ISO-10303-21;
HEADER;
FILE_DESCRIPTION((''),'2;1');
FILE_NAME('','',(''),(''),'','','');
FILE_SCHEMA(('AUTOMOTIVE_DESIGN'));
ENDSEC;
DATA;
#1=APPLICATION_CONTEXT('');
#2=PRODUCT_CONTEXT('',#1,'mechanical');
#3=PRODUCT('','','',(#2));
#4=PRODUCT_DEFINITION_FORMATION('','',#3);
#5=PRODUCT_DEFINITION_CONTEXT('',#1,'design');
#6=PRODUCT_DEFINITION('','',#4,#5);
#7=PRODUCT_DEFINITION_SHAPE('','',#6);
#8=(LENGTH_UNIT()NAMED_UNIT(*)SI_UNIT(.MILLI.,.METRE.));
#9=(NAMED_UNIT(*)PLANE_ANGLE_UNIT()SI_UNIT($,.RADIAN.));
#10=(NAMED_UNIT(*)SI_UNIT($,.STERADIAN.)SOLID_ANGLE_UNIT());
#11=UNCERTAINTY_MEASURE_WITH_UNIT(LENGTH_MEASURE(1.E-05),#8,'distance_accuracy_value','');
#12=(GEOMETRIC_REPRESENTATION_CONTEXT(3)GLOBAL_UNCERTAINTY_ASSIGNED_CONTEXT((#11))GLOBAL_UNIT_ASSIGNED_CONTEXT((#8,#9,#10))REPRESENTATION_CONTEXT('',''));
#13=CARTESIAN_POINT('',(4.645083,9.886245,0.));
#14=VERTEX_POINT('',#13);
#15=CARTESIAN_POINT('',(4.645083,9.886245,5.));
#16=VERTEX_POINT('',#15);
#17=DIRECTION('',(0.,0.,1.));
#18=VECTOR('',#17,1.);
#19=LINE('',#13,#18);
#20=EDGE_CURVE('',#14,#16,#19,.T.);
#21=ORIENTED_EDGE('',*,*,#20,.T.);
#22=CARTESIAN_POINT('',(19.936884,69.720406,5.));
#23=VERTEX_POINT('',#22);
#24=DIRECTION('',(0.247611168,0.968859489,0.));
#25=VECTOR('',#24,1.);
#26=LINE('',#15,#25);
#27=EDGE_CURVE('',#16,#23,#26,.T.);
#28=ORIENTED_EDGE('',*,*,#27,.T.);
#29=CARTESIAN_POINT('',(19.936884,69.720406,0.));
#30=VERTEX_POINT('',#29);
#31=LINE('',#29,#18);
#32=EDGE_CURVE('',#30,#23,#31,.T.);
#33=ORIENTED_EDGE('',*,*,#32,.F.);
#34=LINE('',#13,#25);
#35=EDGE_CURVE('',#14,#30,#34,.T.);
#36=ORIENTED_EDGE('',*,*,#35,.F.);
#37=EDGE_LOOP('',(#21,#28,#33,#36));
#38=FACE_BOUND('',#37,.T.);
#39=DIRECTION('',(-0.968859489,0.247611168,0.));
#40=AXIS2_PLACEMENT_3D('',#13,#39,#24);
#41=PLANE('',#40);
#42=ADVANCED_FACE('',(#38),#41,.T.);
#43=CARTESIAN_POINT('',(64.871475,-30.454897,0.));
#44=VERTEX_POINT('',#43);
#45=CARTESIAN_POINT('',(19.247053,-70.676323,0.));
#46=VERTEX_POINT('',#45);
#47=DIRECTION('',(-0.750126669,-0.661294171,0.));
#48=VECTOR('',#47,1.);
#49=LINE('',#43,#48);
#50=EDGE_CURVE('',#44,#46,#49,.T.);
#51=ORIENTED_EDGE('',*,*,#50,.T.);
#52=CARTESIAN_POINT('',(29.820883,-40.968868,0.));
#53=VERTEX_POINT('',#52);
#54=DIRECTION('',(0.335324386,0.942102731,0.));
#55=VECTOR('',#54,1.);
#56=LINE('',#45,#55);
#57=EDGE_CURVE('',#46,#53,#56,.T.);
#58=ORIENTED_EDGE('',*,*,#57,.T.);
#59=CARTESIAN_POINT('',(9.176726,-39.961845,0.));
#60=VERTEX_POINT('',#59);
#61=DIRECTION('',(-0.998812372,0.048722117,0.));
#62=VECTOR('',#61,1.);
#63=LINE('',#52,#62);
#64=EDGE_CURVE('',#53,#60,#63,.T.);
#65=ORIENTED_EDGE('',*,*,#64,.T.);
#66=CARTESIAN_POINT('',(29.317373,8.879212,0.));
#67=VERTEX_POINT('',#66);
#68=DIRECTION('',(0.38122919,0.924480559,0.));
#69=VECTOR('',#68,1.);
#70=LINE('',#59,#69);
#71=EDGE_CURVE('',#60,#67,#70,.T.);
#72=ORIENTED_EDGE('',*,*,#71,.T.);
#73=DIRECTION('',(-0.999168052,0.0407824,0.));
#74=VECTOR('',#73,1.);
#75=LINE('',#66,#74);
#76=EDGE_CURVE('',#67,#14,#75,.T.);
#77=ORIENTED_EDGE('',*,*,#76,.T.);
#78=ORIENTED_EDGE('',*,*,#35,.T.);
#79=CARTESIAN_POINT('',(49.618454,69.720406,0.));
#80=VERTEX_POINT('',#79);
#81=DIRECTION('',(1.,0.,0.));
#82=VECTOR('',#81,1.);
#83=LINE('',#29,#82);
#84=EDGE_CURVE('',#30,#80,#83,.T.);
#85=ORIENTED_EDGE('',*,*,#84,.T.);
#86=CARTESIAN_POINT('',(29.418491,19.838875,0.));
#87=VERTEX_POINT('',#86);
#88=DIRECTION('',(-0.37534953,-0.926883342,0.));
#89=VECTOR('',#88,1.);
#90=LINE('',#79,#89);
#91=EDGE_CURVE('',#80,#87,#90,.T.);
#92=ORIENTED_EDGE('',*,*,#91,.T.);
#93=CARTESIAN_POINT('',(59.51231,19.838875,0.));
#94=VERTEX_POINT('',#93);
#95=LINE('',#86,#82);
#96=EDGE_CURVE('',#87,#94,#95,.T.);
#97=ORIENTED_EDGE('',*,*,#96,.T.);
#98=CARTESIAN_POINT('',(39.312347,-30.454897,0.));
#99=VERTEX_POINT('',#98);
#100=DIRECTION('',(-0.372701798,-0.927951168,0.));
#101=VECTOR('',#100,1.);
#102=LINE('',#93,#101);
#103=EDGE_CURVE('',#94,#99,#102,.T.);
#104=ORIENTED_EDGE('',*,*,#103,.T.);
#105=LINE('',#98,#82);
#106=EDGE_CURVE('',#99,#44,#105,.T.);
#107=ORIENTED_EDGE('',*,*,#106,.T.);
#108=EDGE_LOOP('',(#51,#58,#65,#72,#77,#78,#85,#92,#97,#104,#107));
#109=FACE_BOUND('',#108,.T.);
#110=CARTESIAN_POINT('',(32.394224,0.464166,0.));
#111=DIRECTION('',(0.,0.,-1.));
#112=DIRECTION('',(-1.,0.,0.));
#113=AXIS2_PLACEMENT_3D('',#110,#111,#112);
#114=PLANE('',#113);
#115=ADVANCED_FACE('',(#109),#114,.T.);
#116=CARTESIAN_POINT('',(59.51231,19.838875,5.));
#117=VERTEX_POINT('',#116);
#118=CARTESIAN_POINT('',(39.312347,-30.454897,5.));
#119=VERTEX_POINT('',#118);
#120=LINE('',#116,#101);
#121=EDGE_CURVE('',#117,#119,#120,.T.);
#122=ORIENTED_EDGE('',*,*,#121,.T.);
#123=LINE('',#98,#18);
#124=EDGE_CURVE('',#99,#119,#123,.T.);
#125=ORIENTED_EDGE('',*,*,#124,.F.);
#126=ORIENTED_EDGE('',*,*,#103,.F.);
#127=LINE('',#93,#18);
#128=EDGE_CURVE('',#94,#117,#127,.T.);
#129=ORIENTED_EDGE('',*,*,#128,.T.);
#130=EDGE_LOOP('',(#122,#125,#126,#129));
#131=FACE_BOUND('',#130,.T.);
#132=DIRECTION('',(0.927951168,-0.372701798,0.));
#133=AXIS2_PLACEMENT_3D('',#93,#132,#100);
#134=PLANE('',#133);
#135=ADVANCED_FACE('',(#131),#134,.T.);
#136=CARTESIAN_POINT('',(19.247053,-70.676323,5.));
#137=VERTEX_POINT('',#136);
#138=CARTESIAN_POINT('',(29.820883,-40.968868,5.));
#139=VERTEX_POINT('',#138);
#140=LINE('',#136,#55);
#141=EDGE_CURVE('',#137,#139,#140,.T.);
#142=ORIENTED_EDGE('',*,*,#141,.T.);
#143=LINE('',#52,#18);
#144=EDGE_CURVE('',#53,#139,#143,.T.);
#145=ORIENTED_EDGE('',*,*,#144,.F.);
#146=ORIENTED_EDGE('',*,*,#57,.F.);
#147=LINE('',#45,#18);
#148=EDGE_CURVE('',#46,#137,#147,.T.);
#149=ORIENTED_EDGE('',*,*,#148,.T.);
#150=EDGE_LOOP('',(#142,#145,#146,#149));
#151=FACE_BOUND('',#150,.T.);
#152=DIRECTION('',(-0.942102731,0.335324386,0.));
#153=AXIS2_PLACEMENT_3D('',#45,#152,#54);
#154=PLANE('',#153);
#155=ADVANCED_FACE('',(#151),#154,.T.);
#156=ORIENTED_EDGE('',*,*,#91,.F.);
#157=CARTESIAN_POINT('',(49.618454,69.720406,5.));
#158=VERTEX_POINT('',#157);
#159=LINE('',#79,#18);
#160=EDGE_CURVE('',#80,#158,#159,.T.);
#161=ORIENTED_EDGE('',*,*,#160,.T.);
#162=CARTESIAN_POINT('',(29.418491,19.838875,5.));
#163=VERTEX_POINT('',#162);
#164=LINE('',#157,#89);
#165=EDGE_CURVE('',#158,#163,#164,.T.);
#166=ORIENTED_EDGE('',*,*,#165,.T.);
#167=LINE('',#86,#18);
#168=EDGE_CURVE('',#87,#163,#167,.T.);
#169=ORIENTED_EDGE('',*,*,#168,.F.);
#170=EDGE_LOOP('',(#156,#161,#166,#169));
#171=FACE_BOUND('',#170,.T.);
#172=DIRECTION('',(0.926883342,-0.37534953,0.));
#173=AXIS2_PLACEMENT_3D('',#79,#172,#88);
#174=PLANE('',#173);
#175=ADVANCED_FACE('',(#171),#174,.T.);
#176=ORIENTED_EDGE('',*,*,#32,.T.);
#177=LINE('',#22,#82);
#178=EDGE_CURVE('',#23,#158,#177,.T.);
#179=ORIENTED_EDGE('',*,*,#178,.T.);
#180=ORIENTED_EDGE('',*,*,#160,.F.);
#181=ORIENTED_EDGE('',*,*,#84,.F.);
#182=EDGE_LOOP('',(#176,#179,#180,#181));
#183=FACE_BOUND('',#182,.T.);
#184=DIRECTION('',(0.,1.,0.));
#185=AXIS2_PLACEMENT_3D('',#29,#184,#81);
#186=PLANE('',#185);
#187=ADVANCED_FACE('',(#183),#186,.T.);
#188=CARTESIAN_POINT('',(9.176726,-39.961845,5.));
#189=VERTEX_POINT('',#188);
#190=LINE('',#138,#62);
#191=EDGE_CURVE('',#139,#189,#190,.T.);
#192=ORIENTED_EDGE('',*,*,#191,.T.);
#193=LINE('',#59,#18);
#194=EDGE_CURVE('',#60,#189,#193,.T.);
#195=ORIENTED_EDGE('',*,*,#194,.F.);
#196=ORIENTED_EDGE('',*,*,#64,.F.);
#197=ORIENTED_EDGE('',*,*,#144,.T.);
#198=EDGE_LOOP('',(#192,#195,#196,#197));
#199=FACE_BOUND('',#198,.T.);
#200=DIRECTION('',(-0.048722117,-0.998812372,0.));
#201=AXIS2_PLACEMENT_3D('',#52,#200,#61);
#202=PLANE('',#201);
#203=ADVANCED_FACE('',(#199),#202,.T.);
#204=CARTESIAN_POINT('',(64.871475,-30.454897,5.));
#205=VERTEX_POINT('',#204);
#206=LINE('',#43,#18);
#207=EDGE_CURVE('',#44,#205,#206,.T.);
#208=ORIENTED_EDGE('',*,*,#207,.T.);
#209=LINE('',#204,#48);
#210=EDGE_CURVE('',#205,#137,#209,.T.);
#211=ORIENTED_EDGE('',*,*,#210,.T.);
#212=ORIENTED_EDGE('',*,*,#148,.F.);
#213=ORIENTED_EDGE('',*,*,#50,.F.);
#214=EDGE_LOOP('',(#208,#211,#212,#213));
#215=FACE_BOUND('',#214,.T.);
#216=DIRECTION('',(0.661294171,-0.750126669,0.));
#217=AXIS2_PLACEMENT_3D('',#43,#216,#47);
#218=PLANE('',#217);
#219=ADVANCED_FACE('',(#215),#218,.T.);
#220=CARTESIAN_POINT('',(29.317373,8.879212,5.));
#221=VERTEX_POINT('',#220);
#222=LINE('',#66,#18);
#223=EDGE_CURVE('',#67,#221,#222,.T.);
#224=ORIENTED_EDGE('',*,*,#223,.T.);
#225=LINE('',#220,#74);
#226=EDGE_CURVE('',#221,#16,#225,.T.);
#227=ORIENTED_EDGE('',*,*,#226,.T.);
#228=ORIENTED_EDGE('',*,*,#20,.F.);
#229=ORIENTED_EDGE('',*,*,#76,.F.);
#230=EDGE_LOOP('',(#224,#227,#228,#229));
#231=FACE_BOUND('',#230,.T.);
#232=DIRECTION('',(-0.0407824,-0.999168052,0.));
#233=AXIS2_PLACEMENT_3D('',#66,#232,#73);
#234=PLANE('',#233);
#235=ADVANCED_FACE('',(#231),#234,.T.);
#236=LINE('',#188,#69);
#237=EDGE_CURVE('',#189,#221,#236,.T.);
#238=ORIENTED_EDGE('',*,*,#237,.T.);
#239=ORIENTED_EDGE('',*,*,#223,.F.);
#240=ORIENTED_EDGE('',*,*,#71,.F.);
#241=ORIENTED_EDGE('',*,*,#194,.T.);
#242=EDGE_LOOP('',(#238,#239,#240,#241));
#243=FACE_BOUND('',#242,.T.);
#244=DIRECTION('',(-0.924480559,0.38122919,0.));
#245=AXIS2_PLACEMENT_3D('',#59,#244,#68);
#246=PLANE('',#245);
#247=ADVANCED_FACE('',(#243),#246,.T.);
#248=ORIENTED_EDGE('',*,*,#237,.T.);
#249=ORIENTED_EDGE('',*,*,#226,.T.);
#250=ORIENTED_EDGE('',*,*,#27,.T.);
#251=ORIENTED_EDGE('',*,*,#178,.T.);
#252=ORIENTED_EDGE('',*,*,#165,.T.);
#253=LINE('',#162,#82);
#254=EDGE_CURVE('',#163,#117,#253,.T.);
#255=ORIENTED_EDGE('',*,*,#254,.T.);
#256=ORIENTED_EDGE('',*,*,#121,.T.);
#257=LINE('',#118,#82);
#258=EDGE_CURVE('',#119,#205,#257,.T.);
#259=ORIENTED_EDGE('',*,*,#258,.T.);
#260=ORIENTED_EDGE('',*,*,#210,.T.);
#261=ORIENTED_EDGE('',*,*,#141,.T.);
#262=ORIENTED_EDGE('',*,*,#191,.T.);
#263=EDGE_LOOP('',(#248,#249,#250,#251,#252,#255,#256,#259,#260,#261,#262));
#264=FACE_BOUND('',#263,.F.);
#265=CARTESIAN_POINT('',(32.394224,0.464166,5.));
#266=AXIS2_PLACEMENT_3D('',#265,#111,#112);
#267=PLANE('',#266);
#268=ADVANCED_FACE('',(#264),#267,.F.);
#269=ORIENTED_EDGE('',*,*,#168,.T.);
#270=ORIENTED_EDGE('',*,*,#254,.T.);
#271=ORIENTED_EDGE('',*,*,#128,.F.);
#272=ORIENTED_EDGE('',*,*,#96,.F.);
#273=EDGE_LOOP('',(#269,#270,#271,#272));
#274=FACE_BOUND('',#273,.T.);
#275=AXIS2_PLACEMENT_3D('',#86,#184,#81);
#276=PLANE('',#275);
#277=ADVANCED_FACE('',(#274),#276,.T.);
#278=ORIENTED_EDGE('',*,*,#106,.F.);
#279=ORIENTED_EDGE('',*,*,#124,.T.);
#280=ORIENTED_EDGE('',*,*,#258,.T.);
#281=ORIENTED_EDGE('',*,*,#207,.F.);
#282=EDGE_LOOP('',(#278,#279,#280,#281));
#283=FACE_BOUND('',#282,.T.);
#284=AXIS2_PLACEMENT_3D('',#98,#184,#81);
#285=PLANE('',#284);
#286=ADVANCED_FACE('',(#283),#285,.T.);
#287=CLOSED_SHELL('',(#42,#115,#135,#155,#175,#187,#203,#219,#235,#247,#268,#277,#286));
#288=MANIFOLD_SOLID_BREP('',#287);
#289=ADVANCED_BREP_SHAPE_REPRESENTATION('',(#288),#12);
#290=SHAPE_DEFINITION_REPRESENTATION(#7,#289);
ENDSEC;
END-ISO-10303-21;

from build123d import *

# Parameters (mm, degrees)
PAD_DEPTH = 5


with BuildPart() as part:
    # Sketch → Pad (new body)
    with BuildSketch(Plane.XY):
        Polygon((19.936884, 69.720406), (49.618454, 69.720406), (29.418491, 19.838875), (59.51231, 19.838875), (39.312347, -30.454897), (64.871475, -30.454897), (19.247053, -70.676323), (29.820883, -40.968868), (9.176726, -39.961845), (29.317373, 8.879212), (4.645083, 9.886245), align=None)
    extrude(amount=PAD_DEPTH)


solid = part.part
